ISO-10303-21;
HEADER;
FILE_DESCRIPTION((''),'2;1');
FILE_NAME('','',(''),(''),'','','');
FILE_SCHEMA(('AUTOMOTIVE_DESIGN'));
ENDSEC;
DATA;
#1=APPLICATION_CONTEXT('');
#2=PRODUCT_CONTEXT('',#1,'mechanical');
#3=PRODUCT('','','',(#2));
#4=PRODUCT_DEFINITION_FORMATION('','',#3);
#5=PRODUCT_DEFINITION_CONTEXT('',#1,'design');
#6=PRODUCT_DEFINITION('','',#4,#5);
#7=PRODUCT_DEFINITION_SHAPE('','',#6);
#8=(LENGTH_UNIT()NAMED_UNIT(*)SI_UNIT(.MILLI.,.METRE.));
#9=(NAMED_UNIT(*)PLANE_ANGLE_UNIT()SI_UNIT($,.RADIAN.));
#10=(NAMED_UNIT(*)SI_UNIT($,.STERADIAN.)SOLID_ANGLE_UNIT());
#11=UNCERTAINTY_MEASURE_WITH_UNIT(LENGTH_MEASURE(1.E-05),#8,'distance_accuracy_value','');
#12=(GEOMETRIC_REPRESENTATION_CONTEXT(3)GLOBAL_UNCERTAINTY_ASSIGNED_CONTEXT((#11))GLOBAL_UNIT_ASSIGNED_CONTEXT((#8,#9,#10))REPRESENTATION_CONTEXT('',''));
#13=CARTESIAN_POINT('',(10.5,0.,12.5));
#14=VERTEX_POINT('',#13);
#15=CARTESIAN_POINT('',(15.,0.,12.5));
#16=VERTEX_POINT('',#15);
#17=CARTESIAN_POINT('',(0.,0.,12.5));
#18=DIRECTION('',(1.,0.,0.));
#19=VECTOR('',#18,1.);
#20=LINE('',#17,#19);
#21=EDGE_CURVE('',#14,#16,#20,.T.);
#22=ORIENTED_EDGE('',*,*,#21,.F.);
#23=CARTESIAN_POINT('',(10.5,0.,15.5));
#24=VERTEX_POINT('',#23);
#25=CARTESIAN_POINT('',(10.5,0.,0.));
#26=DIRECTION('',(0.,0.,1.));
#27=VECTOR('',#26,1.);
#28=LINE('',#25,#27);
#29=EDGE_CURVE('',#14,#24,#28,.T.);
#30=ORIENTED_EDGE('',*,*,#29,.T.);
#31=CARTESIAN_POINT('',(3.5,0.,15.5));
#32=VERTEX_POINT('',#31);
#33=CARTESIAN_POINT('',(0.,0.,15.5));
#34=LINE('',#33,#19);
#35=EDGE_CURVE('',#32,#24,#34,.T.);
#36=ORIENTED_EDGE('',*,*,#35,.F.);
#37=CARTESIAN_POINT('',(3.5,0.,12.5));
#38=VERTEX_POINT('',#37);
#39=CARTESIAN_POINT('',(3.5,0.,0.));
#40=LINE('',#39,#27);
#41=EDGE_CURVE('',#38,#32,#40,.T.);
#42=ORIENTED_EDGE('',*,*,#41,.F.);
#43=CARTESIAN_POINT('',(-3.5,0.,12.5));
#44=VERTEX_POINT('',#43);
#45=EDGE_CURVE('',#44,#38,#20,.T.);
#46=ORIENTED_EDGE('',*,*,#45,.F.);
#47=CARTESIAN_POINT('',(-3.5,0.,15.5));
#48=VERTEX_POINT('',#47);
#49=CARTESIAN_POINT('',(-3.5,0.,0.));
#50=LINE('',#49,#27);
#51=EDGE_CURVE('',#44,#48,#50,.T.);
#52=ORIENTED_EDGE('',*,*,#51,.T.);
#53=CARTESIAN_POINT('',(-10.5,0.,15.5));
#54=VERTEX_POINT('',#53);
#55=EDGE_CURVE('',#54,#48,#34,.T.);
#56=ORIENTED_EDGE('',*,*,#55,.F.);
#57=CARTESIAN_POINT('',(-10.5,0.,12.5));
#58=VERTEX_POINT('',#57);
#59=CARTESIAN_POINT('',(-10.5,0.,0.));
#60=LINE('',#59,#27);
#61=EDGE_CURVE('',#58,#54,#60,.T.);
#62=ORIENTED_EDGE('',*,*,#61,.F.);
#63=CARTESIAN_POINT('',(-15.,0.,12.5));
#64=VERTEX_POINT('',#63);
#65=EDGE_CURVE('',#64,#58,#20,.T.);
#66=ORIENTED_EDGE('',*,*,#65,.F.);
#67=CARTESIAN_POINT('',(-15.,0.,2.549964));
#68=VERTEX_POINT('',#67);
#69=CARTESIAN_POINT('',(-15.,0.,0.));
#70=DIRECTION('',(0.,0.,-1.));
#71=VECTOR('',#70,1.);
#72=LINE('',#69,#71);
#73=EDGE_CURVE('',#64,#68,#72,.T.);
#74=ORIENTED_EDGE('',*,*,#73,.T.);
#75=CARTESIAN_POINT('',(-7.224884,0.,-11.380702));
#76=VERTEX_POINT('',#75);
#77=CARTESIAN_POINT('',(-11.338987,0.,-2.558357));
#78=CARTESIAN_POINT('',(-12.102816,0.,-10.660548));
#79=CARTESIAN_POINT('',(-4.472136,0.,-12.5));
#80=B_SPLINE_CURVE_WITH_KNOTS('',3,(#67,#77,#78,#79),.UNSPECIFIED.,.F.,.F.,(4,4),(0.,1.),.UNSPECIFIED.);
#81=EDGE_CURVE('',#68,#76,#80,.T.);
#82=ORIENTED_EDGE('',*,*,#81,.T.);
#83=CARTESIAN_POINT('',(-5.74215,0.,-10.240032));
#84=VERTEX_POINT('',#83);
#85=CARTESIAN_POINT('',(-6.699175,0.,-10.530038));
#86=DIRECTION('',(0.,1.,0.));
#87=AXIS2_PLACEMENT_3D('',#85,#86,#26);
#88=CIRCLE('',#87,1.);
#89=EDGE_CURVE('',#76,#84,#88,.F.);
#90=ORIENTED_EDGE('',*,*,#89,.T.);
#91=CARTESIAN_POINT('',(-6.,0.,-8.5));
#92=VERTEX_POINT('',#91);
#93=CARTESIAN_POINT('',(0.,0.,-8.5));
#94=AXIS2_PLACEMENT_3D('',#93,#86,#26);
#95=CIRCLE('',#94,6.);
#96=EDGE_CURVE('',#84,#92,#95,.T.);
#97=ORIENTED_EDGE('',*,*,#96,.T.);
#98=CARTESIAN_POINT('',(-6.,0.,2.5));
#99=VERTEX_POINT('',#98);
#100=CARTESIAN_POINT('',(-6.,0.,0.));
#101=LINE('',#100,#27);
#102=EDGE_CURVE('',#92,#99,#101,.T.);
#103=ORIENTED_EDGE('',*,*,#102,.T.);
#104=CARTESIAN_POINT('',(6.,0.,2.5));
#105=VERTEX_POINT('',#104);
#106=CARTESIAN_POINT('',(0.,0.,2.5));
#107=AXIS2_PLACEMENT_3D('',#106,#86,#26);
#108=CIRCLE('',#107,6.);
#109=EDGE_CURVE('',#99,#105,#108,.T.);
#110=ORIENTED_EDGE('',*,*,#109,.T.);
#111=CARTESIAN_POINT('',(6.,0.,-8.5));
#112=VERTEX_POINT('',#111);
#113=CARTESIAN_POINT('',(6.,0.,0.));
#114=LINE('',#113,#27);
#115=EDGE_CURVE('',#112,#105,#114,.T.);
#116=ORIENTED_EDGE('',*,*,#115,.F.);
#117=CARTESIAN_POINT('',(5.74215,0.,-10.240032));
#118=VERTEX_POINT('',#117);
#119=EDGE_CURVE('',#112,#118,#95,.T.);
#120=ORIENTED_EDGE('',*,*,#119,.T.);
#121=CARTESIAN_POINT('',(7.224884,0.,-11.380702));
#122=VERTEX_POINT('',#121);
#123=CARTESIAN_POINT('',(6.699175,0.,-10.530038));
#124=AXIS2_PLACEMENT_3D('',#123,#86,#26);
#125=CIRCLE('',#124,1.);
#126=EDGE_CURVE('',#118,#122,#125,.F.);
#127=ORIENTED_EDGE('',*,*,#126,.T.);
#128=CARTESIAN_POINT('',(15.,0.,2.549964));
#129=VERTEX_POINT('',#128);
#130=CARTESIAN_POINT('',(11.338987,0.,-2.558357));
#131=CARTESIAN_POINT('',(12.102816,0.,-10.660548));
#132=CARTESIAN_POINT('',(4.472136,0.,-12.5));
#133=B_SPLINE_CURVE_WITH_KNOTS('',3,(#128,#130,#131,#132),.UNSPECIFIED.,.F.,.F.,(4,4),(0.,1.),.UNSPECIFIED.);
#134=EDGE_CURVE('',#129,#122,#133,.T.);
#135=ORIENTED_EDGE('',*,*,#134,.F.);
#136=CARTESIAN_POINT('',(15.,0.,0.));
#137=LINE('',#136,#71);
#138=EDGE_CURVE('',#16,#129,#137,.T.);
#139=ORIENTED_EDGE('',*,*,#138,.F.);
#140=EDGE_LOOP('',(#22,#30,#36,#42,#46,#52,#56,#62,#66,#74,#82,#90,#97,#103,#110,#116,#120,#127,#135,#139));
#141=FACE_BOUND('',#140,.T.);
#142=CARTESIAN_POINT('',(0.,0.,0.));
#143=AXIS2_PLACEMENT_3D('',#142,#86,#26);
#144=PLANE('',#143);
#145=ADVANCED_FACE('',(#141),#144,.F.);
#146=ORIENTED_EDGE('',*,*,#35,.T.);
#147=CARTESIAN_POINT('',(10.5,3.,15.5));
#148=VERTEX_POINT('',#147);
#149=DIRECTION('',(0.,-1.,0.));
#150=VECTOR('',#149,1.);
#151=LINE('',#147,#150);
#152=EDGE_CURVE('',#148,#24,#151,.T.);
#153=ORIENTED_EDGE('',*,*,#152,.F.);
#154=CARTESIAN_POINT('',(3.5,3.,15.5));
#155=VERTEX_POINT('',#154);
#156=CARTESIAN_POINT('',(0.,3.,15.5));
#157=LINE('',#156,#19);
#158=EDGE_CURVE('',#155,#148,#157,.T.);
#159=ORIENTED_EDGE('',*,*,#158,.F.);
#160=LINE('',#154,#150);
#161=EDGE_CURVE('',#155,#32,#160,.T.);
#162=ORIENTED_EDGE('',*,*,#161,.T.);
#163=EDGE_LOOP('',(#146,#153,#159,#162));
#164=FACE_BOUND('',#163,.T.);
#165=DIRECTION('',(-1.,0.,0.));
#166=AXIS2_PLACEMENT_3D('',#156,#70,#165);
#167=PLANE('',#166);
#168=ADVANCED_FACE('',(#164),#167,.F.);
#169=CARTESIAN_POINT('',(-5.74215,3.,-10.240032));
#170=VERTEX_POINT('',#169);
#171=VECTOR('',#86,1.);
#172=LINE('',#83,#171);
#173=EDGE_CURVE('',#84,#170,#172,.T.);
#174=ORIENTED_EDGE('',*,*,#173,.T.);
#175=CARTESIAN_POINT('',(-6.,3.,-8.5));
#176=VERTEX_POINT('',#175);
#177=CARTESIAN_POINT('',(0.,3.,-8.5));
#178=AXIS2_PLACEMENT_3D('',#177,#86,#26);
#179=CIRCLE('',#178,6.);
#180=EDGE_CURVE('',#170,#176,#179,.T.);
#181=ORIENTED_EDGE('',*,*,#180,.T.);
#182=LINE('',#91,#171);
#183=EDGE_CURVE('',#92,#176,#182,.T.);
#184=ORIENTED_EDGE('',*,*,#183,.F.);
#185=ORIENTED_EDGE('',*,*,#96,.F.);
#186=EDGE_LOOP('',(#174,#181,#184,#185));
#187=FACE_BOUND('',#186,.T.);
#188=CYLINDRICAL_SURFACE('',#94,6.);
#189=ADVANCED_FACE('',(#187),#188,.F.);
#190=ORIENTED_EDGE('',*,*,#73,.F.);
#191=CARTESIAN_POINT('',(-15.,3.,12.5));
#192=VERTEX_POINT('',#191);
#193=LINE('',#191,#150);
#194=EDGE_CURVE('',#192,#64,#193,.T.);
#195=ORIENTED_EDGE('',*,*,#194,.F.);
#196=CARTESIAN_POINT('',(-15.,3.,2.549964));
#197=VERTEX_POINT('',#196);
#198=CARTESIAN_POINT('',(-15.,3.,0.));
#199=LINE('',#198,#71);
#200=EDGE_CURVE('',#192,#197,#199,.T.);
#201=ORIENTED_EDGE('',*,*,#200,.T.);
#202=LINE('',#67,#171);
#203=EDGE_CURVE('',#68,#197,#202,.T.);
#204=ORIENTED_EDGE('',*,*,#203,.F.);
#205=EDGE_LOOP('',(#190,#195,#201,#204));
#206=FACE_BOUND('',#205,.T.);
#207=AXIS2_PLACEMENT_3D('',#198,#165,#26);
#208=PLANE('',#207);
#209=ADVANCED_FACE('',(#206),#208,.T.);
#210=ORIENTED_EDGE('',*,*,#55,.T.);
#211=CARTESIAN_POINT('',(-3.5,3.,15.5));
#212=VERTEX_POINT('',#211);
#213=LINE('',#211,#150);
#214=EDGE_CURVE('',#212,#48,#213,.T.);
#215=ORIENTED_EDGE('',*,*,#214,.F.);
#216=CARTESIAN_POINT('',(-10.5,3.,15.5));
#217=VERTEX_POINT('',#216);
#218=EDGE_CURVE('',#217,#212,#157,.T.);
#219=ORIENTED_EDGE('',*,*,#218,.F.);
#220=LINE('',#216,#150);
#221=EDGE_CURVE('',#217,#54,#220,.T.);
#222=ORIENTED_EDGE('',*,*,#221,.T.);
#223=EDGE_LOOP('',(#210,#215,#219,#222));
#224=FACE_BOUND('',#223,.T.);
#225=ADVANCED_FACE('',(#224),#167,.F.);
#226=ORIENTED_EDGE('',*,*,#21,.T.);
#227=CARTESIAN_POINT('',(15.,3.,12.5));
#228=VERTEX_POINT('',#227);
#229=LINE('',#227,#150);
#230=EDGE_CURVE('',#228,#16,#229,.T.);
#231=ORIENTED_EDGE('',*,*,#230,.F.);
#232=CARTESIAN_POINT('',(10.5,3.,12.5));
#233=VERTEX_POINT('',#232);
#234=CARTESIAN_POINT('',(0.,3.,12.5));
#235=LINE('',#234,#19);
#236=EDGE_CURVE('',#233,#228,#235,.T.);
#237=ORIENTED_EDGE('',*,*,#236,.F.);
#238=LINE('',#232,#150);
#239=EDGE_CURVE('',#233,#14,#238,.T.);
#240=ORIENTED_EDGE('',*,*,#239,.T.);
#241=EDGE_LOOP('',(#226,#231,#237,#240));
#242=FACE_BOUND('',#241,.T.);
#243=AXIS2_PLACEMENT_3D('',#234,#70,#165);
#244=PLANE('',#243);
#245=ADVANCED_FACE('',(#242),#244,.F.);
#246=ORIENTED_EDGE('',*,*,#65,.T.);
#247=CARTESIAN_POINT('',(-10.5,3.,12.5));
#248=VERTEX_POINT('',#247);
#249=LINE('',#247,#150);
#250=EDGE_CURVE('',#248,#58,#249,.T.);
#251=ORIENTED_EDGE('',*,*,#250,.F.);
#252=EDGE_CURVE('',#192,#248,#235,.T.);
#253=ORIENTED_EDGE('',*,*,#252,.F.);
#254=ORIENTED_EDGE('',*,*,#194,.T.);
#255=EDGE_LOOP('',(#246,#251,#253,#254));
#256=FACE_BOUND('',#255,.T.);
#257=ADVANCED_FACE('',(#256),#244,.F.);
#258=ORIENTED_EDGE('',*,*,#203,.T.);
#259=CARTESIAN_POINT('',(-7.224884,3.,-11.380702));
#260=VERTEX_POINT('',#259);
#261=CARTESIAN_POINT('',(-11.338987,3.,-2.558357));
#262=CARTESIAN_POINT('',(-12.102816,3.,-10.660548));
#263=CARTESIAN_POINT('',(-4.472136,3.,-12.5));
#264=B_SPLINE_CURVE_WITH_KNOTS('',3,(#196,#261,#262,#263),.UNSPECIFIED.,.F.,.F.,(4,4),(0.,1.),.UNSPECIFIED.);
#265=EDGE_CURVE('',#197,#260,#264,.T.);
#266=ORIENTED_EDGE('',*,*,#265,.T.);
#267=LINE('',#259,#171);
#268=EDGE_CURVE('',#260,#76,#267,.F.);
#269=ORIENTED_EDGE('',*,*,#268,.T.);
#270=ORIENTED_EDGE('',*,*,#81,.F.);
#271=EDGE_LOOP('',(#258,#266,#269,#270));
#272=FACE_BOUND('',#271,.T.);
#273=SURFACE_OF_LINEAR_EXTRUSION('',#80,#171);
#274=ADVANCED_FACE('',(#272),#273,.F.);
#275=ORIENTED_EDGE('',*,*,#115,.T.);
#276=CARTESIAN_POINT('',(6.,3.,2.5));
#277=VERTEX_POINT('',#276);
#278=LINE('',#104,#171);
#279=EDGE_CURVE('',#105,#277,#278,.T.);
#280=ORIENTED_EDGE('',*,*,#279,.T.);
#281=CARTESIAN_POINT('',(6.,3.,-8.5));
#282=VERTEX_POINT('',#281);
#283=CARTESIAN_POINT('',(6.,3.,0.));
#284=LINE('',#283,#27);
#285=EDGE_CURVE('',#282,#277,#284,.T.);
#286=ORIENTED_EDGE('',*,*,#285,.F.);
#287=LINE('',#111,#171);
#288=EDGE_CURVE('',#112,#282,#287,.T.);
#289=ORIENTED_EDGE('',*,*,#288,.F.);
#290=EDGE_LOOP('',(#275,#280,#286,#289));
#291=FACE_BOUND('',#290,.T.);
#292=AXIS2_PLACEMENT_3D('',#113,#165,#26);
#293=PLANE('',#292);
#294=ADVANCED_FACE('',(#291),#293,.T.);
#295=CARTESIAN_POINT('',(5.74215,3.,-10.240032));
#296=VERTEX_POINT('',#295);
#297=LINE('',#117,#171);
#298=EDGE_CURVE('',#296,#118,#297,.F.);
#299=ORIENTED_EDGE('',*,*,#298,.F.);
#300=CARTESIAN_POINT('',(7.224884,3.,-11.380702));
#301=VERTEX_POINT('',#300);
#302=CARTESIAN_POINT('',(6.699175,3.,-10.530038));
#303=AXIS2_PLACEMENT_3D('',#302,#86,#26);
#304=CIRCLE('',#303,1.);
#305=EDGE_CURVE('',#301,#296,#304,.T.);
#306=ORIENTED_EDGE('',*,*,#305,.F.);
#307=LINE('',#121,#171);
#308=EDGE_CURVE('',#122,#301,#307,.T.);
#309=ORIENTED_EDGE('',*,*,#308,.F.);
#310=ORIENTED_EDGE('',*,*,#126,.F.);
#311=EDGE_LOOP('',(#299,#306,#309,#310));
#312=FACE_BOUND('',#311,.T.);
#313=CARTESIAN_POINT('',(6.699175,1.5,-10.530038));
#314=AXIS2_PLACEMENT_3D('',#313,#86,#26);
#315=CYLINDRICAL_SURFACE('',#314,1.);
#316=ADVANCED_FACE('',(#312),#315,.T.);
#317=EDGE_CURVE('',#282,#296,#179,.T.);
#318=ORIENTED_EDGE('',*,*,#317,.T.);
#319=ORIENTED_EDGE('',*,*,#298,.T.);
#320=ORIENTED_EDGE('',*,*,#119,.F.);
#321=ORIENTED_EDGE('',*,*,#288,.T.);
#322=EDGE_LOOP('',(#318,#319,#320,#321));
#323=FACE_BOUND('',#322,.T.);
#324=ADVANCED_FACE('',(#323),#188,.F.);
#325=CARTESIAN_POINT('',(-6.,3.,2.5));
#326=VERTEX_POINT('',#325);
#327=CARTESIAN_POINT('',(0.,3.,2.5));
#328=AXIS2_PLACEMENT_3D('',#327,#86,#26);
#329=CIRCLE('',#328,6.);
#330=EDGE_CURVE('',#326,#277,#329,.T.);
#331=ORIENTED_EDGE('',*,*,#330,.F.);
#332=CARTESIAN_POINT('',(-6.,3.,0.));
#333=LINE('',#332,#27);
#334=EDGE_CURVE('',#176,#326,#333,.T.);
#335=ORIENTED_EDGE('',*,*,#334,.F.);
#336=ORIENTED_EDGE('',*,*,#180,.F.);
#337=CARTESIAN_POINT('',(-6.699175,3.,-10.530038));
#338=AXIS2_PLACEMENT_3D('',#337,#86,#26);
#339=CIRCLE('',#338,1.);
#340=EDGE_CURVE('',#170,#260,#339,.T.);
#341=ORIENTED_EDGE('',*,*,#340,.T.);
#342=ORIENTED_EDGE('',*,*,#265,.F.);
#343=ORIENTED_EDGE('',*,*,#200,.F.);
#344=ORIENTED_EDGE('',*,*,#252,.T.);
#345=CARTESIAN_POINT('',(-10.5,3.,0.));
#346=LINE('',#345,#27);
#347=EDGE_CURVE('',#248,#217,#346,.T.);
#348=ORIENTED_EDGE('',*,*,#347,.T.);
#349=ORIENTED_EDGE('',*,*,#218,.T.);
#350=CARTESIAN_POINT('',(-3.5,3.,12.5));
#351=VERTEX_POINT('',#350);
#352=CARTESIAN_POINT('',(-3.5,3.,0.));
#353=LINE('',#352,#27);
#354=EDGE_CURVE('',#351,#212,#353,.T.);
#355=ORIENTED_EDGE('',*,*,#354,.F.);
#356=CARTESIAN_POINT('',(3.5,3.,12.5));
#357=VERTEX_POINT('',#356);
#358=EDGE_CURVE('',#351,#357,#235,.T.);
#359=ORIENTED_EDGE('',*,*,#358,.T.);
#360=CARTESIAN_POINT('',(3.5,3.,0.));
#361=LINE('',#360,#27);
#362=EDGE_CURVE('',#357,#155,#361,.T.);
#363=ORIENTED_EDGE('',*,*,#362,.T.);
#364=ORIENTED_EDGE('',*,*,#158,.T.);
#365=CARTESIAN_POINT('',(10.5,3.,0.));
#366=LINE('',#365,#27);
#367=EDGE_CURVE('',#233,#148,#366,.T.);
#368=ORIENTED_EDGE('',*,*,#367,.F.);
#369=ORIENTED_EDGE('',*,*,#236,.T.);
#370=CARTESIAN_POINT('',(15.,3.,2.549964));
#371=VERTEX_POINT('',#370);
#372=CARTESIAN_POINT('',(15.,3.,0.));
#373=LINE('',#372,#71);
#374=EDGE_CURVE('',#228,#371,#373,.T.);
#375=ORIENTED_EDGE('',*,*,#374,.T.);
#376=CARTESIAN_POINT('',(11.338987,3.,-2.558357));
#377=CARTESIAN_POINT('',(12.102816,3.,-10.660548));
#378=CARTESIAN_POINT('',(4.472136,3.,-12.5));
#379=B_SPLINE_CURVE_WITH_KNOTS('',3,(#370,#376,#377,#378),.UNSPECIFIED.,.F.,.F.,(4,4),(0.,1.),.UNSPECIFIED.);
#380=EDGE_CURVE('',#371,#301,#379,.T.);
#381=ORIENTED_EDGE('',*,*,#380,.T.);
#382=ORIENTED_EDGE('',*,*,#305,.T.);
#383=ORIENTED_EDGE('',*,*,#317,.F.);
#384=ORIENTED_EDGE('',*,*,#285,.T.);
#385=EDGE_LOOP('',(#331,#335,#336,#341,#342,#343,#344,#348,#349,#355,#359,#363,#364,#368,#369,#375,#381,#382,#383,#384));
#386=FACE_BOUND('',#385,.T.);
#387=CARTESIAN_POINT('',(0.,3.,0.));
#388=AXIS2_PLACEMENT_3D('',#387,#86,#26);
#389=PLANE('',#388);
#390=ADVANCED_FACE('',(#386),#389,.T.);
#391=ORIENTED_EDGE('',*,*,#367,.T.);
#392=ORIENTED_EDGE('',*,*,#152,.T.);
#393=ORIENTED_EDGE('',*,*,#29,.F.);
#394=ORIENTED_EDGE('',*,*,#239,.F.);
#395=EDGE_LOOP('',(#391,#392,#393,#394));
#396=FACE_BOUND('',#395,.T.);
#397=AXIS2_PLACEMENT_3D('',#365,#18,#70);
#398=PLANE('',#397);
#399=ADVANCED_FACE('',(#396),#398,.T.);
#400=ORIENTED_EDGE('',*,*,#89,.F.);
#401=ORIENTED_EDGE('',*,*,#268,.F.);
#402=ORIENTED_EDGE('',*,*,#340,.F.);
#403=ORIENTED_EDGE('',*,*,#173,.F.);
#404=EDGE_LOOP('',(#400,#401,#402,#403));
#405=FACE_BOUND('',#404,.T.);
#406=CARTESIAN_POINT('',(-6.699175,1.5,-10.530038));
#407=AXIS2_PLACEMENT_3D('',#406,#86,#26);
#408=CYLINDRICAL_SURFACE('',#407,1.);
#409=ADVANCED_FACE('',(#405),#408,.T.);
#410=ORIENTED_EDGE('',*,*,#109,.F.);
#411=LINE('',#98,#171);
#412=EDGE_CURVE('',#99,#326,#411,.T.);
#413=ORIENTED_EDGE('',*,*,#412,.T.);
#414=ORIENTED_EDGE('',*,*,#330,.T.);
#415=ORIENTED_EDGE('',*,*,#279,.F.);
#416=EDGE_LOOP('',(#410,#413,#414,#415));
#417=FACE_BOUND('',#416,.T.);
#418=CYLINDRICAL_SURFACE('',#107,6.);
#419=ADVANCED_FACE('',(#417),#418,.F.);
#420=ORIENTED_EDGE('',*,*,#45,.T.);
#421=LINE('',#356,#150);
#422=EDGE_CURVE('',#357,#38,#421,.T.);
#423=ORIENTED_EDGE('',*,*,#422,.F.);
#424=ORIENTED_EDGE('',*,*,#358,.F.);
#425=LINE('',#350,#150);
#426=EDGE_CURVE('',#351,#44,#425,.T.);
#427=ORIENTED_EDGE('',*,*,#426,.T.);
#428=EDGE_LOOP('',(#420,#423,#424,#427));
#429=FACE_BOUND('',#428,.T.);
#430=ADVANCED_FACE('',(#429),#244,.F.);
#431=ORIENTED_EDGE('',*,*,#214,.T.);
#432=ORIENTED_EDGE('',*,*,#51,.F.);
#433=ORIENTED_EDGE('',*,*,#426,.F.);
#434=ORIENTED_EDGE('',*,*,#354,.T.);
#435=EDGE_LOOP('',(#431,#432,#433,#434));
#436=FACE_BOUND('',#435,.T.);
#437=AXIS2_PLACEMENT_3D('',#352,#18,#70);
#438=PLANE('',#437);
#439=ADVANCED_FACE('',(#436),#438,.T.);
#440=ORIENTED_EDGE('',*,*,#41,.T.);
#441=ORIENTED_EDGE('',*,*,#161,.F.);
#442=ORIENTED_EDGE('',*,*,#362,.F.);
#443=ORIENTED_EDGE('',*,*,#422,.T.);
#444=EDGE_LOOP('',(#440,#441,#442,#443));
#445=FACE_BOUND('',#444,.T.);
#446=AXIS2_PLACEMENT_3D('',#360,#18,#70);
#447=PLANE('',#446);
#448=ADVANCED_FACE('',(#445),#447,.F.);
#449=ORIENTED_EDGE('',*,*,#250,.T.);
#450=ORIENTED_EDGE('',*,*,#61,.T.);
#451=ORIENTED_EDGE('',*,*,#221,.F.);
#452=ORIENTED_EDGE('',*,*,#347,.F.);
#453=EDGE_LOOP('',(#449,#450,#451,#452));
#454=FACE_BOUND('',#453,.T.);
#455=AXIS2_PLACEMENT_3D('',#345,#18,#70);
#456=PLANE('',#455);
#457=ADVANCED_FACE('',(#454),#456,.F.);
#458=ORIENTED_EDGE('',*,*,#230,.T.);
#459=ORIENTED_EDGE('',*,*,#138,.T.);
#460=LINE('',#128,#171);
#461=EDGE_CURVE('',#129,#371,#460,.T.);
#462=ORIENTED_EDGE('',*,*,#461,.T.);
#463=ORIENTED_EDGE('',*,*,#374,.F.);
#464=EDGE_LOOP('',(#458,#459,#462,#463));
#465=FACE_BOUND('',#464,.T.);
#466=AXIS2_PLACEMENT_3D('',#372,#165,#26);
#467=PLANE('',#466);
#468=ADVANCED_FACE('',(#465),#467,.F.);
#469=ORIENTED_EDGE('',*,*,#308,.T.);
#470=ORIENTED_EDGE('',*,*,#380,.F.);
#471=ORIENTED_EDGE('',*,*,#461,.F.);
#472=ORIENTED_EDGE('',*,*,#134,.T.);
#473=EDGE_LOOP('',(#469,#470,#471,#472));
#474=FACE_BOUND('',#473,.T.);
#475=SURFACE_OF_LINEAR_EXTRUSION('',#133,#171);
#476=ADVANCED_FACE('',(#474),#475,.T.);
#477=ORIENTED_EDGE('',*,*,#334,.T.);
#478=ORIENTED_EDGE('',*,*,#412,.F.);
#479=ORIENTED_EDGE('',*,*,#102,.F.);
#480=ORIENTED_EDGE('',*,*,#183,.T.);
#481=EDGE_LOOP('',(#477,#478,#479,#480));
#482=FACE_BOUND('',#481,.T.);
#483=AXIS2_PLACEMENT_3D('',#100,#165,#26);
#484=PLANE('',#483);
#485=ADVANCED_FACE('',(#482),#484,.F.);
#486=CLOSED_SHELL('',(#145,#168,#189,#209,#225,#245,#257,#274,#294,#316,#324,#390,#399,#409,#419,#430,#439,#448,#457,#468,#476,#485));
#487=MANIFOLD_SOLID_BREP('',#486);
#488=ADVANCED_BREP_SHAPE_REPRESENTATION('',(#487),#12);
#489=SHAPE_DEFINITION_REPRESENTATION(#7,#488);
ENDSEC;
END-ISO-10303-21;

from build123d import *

# Parameters (mm, degrees)
SKETCH1_W           = 30
SKETCH1_H           = 25
SKETCH1_W_2         = 7
SKETCH1_H_2         = 3
BOSS_EXTRUDE1_DEPTH = 3
CUT_EXTRUDE1_DEPTH  = 4
FILLET1_R           = 1


with BuildPart() as part:
    # Sketch1 → Boss-Extrude1 (new body)
    with BuildSketch(Plane(origin=(0, 0, 0), x_dir=(1, 0, 0), z_dir=(0, 1, 0))):
        Rectangle(SKETCH1_W, SKETCH1_H)
        with Locations((-7, -14)):
            Rectangle(SKETCH1_W_2, SKETCH1_H_2)
        with Locations((7, -14)):
            Rectangle(SKETCH1_W_2, SKETCH1_H_2)
    extrude(amount=BOSS_EXTRUDE1_DEPTH)

    # Sketch2 → Cut-Extrude1 (cut, through all)
    with BuildSketch(Plane(origin=(0, 3, 0), x_dir=(1, 0, 0), z_dir=(0, 1, 0))):
        with BuildLine():
            Line((-4.472135955, 12.5), (-15, 12.5))
            Line((-15, 12.5), (-15, -2.54996447))
            add(Edge.make_bspline(
                [(-15, -2.54996447), (-11.338987125, 2.558357454), (-12.102816027, 10.660548238), (-4.472135955, 12.5)],
                knots=[0, 0, 0, 0, 1, 1, 1, 1], degree=3))
        make_face()
        with BuildLine():
            Line((6, 8.5), (6, -2.5))
            ThreePointArc((6, -2.5), (0, -8.5), (-6, -2.5))
            Line((-6, -2.5), (-6, 8.5))
            ThreePointArc((-6, 8.5), (0, 14.5), (6, 8.5))
        make_face()
        with BuildLine():
            Line((15, 12.5), (15, -2.54996447))
            add(Edge.make_bspline(
                [(15, -2.54996447), (11.338987125, 2.558357454), (12.102816027, 10.660548238), (4.472135955, 12.5)],
                knots=[0, 0, 0, 0, 1, 1, 1, 1], degree=3))
            Line((4.472135955, 12.5), (15, 12.5))
        make_face()
    extrude(amount=-CUT_EXTRUDE1_DEPTH, mode=Mode.SUBTRACT)

    # Fillet1
    fillet1_edges = [part.edges().sort_by_distance(p)[0] for p in [
        (-4.472135955, 1.5, -12.5),
        (4.472135955, 1.5, -12.5),
    ]]
    fillet(fillet1_edges, radius=FILLET1_R)


solid = part.part
